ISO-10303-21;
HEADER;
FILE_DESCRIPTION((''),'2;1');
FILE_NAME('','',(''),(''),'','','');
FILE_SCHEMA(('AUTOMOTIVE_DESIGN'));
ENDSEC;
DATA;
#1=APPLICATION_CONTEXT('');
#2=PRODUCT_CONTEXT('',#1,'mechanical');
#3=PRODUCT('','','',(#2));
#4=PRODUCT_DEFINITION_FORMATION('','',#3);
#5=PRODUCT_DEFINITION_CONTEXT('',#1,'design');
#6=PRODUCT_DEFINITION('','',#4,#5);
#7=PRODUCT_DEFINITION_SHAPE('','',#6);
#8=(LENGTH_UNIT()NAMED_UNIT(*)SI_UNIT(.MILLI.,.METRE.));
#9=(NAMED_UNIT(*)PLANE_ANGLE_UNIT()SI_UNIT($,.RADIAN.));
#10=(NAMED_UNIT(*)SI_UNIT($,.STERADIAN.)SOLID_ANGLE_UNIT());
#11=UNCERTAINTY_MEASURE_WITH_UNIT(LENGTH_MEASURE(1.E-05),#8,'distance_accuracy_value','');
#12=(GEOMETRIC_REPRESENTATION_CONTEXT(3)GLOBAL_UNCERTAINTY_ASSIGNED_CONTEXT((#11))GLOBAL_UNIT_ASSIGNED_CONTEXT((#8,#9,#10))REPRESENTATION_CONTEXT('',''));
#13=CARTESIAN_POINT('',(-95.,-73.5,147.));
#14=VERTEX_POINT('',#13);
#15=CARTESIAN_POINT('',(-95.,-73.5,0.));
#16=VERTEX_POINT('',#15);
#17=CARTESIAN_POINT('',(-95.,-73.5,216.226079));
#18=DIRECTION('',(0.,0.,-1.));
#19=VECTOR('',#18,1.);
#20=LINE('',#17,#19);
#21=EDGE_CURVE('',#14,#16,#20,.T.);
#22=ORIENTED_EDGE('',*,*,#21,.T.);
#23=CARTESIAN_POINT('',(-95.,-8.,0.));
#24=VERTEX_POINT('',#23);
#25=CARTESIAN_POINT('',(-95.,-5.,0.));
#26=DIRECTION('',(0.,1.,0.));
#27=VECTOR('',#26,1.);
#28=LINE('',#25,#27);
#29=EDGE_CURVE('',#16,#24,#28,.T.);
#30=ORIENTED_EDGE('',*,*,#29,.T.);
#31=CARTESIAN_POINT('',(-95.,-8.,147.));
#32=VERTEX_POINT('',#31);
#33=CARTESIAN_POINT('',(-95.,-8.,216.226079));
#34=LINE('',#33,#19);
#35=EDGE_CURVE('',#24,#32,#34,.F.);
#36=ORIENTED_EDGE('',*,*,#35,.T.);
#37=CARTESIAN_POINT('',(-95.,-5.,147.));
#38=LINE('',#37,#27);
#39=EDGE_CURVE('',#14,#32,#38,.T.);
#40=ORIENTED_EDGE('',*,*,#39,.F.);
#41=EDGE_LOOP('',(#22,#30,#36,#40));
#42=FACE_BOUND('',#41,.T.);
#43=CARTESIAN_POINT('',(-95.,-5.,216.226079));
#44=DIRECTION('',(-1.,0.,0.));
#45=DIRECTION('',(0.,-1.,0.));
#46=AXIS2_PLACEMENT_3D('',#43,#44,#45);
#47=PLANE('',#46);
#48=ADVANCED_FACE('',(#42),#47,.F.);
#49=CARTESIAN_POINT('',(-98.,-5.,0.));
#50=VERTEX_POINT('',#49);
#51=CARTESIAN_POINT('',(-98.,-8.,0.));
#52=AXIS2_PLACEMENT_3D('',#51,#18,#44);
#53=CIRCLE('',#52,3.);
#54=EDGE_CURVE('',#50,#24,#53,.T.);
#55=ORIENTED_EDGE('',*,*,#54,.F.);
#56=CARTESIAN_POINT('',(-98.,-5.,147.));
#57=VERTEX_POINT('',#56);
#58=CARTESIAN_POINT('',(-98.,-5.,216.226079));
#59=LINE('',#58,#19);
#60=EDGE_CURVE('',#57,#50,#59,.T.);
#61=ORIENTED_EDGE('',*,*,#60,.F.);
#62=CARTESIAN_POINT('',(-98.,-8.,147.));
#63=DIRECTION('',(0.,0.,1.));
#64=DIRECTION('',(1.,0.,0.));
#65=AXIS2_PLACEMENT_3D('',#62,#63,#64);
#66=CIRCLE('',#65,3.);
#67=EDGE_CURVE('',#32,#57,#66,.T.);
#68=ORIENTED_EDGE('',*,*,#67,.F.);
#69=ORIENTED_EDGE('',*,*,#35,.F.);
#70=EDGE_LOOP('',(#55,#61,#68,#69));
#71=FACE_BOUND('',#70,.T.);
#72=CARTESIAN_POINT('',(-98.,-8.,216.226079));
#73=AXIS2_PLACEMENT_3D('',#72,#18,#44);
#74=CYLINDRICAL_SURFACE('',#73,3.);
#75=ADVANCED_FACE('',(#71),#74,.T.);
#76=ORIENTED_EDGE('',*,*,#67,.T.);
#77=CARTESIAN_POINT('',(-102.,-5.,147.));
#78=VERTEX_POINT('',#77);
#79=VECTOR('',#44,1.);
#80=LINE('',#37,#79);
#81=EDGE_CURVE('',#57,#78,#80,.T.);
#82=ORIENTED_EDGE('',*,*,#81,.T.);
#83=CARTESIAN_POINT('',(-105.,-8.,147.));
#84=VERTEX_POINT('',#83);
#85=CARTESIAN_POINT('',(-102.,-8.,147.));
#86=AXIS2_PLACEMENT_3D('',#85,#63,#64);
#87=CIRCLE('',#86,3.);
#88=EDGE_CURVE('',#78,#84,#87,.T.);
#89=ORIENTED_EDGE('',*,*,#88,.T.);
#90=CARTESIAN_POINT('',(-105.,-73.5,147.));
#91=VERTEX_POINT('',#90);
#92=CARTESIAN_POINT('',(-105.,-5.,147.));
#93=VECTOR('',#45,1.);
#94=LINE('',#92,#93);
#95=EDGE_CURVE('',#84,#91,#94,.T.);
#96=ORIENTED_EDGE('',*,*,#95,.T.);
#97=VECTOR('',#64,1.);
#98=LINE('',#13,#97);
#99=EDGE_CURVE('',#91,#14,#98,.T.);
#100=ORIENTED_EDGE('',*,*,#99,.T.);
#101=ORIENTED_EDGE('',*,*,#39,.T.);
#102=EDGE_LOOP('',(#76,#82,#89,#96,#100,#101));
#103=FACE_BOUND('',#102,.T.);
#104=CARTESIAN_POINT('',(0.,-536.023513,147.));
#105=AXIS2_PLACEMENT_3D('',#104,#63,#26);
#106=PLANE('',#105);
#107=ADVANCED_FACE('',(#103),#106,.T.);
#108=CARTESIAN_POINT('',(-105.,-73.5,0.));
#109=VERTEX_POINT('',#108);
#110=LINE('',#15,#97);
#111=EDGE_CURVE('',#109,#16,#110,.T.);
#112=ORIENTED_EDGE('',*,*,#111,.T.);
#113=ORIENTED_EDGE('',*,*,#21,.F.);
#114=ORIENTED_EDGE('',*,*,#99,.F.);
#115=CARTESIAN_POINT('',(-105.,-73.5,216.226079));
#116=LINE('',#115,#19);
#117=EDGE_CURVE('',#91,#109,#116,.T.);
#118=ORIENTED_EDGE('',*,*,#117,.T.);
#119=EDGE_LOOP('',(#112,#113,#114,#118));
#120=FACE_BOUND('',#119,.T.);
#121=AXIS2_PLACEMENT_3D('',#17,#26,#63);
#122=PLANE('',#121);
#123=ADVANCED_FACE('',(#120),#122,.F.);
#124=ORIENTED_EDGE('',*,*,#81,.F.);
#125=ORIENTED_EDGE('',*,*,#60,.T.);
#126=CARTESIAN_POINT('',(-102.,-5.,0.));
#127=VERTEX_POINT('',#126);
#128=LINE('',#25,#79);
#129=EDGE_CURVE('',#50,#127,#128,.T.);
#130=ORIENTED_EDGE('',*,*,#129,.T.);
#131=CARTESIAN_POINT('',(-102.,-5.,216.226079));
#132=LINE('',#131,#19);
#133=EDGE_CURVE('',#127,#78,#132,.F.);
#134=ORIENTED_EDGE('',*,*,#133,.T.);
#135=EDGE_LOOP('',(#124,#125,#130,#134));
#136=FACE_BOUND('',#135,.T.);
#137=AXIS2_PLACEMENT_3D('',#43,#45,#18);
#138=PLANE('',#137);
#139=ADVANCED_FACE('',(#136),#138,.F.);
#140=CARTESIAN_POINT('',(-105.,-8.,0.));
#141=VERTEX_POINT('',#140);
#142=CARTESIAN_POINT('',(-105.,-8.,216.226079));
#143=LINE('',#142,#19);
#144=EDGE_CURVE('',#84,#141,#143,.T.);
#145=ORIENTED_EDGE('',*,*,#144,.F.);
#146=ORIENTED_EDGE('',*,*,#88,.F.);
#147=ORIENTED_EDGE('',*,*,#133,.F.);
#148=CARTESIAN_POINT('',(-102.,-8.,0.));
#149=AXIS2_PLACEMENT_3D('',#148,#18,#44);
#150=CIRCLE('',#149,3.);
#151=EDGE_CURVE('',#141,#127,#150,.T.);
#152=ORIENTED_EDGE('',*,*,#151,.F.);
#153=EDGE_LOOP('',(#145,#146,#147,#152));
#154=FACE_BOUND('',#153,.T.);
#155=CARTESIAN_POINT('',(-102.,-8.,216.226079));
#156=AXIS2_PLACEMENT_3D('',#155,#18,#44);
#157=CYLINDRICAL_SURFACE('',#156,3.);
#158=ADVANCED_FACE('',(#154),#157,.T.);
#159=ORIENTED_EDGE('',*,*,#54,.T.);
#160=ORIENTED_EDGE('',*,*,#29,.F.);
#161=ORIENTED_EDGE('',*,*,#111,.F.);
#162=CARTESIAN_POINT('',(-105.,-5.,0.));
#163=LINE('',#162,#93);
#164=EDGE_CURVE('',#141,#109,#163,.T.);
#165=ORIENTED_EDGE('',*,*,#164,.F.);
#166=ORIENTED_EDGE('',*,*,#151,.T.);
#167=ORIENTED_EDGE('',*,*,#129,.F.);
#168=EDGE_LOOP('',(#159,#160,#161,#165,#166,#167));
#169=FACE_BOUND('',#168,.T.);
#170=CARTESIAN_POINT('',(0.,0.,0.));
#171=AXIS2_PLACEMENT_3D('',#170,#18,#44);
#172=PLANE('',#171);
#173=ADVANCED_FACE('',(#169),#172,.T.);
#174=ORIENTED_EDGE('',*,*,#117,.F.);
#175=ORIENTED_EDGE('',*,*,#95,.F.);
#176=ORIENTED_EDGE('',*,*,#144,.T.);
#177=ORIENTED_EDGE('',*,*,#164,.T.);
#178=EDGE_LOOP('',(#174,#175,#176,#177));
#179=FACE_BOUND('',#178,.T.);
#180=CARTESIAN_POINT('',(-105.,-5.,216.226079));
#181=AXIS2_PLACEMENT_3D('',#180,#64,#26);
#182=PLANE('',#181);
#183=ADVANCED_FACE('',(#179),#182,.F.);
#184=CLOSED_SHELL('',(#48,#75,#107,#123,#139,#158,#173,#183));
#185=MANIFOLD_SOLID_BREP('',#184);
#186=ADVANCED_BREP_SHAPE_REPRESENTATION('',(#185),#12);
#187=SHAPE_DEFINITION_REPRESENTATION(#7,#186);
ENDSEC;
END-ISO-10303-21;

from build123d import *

# Parameters (mm, degrees)
ESQUISSE1_W        = 10
ESQUISSE1_H        = 68.5
BOSS_EXTRU_1_DEPTH = 147
CONG_1_R           = 3


with BuildPart() as part:
    # Esquisse1 → Boss.-Extru.1 (new body)
    with BuildSketch(Plane.XY):
        with Locations((-100, -39.25)):
            Rectangle(ESQUISSE1_W, ESQUISSE1_H)
    extrude(amount=BOSS_EXTRU_1_DEPTH)

    # Congé1
    cong_1_edges = [part.edges().sort_by_distance(p)[0] for p in [
        (-105, -5, 73.5),
        (-95, -5, 73.5),
    ]]
    fillet(cong_1_edges, radius=CONG_1_R)


solid = part.part
